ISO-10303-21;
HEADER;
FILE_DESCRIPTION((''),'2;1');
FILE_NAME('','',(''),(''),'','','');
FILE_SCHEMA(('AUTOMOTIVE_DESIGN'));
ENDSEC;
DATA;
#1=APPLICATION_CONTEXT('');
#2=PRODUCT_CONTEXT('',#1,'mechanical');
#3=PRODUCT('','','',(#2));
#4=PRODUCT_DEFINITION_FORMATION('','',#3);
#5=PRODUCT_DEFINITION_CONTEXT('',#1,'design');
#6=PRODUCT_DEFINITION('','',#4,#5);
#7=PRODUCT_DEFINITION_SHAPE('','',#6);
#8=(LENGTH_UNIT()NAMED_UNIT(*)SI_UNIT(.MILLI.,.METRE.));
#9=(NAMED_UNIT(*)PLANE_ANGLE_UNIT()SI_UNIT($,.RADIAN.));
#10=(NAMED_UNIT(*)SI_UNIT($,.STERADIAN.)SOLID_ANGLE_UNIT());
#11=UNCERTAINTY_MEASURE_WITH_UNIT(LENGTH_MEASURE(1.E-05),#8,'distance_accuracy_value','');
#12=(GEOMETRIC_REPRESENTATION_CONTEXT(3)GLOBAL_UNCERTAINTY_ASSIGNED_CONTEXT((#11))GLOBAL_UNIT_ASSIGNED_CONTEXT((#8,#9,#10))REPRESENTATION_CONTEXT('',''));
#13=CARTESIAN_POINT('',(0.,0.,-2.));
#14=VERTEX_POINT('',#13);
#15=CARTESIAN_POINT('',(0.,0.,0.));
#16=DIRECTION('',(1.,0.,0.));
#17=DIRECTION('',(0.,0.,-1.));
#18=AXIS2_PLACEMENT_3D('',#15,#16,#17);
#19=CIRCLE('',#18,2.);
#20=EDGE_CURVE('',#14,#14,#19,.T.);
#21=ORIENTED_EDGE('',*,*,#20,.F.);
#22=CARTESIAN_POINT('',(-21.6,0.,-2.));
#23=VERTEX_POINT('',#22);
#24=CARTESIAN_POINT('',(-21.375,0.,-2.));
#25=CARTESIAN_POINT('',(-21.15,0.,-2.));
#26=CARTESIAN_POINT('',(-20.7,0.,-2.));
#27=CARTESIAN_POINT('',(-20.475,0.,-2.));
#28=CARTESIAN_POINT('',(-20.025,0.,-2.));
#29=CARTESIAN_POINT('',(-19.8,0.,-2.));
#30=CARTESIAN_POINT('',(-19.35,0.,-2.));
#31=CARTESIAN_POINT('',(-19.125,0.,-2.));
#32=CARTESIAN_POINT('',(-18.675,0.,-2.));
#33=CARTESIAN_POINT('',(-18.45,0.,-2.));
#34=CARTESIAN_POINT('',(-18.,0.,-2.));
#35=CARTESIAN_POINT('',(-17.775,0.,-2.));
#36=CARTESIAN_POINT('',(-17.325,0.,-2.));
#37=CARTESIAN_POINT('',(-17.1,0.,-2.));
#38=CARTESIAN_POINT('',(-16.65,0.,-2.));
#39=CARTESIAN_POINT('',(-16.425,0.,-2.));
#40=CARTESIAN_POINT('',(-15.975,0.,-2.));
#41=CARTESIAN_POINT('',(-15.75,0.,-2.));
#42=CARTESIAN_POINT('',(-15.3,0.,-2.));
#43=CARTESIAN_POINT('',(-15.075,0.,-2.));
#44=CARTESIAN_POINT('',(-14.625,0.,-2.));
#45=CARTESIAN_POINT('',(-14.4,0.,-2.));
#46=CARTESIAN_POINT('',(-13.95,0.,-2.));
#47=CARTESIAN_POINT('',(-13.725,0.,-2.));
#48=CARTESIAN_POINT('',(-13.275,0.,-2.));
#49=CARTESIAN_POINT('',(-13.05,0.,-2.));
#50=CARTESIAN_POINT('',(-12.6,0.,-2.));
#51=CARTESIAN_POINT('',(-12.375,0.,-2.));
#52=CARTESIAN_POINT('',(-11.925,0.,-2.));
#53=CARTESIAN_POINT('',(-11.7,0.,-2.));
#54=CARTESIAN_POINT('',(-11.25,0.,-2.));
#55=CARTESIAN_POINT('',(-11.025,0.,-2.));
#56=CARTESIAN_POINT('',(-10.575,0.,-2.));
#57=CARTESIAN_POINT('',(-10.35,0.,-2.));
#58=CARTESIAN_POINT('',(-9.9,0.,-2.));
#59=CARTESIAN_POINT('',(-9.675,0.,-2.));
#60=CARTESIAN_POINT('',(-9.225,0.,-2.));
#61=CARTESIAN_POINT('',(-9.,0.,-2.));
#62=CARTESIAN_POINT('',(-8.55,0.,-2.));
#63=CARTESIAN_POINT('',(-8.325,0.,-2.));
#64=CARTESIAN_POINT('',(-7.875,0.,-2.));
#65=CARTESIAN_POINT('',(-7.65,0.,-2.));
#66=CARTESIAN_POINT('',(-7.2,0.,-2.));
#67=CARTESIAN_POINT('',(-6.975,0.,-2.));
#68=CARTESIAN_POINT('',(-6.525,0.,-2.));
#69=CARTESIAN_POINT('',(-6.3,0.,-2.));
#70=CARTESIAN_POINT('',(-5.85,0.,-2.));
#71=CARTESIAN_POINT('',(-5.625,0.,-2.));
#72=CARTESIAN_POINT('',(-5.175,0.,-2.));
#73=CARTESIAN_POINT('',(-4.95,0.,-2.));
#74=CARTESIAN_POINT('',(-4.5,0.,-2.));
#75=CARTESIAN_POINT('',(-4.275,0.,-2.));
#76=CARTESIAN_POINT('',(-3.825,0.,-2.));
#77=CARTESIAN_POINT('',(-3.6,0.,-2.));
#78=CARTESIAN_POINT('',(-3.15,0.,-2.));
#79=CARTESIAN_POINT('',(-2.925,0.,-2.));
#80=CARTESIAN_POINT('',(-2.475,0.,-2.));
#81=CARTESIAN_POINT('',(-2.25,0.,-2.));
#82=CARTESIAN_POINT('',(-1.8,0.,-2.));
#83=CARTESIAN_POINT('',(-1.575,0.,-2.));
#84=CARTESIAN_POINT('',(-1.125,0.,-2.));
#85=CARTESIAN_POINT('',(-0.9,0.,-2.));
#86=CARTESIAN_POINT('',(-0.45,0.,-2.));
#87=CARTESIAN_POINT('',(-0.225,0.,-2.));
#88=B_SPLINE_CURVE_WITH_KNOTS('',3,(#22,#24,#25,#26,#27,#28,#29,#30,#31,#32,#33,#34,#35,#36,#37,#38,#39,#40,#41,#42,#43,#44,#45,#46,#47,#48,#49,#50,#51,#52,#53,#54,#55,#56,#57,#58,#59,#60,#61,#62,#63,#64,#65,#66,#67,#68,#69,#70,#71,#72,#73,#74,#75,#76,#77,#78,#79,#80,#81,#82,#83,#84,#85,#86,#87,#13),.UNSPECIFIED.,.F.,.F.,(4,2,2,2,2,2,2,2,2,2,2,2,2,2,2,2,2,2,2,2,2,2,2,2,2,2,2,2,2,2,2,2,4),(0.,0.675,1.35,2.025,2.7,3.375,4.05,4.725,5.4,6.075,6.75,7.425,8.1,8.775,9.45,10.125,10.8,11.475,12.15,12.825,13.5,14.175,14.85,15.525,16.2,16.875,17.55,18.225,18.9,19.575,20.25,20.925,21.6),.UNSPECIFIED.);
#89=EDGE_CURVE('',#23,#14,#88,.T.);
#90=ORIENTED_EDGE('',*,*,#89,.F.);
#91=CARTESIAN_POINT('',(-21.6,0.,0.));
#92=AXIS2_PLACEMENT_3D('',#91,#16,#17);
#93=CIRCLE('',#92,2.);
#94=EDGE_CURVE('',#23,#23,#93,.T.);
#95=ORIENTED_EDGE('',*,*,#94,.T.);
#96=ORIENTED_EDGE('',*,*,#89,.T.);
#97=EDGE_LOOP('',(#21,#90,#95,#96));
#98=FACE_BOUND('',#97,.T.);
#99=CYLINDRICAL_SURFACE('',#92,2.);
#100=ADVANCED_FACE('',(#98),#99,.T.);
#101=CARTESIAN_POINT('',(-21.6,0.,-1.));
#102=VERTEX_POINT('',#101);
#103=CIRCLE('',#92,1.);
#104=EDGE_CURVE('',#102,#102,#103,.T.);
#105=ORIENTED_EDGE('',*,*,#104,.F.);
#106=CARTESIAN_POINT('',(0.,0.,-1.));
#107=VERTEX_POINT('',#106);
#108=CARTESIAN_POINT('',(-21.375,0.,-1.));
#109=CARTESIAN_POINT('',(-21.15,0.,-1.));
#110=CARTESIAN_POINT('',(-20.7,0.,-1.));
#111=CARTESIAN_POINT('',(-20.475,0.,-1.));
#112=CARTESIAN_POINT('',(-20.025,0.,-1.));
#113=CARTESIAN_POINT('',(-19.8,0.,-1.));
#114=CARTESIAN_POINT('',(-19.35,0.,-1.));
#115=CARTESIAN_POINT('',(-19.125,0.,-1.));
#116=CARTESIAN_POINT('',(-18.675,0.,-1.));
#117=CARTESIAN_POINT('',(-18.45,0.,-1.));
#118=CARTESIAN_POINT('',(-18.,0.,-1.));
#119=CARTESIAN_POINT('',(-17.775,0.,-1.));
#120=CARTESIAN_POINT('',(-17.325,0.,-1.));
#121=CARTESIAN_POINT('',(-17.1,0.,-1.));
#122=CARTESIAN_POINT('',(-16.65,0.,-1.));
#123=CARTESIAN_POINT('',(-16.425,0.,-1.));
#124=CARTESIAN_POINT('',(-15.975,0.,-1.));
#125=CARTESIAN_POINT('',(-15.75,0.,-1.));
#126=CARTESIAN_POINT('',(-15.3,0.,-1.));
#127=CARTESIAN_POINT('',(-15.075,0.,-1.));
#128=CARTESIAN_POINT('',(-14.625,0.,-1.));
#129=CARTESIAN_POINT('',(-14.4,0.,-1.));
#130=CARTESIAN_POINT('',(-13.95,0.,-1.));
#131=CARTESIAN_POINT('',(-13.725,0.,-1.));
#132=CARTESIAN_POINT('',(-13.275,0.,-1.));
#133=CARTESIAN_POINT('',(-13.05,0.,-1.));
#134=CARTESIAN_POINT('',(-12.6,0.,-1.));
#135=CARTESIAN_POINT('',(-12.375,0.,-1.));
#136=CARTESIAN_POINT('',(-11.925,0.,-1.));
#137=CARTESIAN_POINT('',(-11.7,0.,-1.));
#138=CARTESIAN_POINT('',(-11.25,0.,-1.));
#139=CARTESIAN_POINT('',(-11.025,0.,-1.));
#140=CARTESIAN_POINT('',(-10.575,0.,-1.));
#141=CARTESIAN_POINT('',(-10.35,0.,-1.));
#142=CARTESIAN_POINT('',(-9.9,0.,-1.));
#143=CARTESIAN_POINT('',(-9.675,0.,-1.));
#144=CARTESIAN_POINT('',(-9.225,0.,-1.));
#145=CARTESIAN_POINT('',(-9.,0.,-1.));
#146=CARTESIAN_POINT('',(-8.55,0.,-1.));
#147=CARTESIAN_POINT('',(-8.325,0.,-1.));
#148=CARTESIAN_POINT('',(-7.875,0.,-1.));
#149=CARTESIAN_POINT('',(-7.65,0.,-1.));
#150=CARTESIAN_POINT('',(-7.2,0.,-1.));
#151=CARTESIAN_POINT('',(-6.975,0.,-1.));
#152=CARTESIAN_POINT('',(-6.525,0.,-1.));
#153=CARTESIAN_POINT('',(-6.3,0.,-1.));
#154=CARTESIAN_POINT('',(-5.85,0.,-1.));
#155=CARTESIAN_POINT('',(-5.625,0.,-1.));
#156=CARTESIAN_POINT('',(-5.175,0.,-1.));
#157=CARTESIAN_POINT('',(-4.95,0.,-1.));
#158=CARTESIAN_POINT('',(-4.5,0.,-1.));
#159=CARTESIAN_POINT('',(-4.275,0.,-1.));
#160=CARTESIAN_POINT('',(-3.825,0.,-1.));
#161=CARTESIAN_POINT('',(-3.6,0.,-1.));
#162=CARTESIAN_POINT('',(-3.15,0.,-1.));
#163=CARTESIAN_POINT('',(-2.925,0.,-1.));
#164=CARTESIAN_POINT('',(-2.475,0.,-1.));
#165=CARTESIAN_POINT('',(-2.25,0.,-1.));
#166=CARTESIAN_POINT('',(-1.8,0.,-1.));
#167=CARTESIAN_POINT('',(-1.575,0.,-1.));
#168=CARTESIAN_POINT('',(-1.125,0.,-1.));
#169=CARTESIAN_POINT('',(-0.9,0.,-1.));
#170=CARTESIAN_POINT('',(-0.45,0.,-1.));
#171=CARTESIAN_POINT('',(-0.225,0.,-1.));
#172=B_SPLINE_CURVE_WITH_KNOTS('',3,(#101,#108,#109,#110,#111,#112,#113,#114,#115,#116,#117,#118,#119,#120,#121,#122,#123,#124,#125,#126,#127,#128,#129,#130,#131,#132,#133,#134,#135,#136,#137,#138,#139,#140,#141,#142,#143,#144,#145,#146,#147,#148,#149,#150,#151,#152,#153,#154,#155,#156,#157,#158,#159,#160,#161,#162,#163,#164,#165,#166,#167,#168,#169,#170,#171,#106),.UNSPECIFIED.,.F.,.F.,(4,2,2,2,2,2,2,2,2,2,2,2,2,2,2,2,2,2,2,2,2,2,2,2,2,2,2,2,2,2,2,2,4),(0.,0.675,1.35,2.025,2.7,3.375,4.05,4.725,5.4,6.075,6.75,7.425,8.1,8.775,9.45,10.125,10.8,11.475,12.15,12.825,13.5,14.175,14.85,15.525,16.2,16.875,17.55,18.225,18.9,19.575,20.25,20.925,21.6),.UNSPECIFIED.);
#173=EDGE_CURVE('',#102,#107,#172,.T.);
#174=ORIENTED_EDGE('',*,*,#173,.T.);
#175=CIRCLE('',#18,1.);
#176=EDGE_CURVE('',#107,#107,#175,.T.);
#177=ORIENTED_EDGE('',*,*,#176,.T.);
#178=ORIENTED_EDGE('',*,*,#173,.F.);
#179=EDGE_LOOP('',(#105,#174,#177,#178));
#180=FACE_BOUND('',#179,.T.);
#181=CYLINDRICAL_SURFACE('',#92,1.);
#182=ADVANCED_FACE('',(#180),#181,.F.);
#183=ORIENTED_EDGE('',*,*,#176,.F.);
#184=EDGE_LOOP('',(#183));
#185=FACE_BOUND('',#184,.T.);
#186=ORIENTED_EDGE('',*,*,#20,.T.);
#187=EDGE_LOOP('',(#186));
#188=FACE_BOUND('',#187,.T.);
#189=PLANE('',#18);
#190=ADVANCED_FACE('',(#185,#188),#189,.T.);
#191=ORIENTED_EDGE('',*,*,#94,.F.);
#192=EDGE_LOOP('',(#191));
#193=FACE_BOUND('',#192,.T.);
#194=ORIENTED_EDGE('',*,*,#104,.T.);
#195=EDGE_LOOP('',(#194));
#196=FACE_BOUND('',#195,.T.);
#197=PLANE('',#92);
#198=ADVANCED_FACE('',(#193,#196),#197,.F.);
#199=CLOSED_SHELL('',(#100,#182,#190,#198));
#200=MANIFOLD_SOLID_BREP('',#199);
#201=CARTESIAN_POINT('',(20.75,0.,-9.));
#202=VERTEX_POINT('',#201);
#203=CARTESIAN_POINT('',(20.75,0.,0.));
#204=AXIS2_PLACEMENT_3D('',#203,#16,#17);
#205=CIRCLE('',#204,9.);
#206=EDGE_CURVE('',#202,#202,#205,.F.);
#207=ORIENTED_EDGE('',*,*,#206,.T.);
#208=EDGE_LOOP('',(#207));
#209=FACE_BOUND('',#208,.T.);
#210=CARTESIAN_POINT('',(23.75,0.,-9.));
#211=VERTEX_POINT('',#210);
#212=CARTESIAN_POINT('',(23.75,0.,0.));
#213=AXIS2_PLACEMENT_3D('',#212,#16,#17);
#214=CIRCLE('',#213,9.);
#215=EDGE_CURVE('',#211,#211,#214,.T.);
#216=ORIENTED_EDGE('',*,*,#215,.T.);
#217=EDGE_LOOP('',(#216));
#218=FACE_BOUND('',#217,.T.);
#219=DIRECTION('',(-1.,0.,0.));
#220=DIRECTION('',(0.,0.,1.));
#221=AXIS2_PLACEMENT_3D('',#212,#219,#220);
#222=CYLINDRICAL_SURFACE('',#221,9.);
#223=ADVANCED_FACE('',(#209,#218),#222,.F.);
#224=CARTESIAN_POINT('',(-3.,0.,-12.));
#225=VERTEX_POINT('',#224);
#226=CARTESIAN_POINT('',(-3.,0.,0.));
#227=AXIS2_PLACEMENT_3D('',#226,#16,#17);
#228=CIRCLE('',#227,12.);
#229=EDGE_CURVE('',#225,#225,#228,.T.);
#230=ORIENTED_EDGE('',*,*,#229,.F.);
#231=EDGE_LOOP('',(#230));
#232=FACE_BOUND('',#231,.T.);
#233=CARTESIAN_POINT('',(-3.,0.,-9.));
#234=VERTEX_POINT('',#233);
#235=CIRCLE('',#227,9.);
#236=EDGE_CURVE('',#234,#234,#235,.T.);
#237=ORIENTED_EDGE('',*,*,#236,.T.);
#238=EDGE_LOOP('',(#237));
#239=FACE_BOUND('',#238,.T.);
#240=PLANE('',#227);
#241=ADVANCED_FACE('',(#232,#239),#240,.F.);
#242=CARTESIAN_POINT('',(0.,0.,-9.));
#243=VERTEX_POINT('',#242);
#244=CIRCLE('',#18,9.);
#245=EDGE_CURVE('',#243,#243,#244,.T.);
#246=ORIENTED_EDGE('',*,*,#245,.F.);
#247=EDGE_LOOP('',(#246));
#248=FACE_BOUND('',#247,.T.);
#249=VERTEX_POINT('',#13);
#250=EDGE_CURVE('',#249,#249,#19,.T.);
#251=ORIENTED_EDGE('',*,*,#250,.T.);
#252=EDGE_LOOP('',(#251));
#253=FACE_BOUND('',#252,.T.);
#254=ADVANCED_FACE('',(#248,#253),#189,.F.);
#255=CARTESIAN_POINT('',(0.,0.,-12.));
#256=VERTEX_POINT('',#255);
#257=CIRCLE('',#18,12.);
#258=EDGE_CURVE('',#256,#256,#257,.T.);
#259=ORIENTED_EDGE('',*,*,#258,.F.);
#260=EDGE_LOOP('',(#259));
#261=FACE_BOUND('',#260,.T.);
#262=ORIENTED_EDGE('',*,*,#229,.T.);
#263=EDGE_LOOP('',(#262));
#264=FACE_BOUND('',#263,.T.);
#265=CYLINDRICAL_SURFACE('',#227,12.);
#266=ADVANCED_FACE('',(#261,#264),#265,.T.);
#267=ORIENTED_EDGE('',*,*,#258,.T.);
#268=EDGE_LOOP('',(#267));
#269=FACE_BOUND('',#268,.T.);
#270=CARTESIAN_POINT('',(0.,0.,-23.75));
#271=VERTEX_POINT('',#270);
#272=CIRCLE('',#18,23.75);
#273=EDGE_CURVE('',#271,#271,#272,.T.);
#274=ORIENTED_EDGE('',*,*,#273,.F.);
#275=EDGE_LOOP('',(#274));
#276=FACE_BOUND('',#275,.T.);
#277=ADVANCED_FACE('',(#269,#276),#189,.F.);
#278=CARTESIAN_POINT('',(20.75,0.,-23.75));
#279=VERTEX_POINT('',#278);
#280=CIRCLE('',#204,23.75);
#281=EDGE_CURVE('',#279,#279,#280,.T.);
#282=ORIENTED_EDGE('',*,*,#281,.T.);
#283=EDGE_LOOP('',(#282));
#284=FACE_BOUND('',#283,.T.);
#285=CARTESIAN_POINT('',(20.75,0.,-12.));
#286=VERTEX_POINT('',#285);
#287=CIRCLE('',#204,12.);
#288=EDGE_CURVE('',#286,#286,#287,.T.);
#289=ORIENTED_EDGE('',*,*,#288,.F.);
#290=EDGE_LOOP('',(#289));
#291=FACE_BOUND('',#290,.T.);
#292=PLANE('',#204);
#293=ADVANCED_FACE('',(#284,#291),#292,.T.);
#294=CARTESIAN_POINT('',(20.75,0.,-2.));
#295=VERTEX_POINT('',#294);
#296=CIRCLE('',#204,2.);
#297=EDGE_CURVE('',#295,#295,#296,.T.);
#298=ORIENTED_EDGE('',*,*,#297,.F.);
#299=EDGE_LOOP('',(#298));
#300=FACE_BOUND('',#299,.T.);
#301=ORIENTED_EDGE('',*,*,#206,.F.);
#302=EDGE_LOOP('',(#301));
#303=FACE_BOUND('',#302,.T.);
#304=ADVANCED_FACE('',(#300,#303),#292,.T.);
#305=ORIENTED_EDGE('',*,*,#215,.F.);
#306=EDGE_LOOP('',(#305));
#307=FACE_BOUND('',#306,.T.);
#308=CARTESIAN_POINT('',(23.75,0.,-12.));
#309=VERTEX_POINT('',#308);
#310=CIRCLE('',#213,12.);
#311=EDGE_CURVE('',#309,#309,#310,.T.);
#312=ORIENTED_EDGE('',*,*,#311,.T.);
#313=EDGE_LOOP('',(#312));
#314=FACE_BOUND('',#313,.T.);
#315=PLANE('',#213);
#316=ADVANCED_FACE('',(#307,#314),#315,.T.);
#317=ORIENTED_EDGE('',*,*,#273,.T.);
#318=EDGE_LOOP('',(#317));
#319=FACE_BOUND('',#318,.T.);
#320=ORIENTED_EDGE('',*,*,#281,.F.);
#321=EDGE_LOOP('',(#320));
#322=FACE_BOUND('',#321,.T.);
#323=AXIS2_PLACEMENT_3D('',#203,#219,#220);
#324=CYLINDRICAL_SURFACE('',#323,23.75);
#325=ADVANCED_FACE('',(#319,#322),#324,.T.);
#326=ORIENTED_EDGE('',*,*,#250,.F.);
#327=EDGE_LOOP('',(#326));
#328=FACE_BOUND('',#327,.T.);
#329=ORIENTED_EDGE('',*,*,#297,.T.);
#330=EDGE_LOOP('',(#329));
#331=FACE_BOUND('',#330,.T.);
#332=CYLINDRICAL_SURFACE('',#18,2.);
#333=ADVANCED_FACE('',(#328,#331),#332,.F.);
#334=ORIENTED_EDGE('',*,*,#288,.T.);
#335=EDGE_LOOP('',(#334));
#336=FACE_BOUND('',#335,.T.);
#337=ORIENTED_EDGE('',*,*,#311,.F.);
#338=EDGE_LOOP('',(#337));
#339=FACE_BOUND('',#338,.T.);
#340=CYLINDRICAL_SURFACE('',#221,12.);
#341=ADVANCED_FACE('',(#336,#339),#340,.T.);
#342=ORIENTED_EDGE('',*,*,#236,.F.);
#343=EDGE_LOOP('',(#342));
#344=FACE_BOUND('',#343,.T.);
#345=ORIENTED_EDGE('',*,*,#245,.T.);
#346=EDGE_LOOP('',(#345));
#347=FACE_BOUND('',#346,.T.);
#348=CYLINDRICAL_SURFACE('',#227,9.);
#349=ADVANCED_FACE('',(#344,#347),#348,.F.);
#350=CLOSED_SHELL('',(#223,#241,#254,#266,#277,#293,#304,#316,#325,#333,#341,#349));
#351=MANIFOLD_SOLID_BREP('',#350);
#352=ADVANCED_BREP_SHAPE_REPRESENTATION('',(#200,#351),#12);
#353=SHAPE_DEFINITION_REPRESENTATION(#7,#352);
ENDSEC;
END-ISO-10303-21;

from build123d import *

# Parameters (mm, degrees)
SKETCH1_R           = 23.75
SKETCH1_R_2         = 3
BOSS_EXTRUDE1_DEPTH = 20.75
BOSS_EXTRUDE2_START = -20.75
SKETCH4_R           = 3
SKETCH4_R_2         = 2
BOSS_EXTRUDE2_DEPTH = 20.75
SKETCH5_R           = 12
SKETCH5_R_2         = 9
BOSS_EXTRUDE3_DEPTH = 3
BOSS_EXTRUDE4_START = -3
SKETCH6_R           = 12
SKETCH6_R_2         = 9
BOSS_EXTRUDE4_DEPTH = 3
SKETCH7_R           = 2
SKETCH7_R_2         = 1
BOSS_EXTRUDE6_DEPTH = 21.6


with BuildPart() as part:
    # Sketch1 → Boss-Extrude1 (new body)
    with BuildSketch(Plane(origin=(0, 0, 0), x_dir=(0, 0, -1), z_dir=(1, 0, 0))):
        Circle(SKETCH1_R)
        Circle(SKETCH1_R_2, mode=Mode.SUBTRACT)
    extrude(amount=BOSS_EXTRUDE1_DEPTH)

    # Sketch4 → Boss-Extrude2 (add)
    with BuildSketch(Plane(origin=(20.75, 0, 0), x_dir=(0, 0, -1), z_dir=(1, 0, 0)).offset(BOSS_EXTRUDE2_START)):
        Circle(SKETCH4_R)
        Circle(SKETCH4_R_2, mode=Mode.SUBTRACT)
    extrude(amount=BOSS_EXTRUDE2_DEPTH)

    # Sketch5 → Boss-Extrude3 (add)
    with BuildSketch(Plane(origin=(20.75, 0, 0), x_dir=(0, 0, -1), z_dir=(1, 0, 0))):
        Circle(SKETCH5_R)
        Circle(SKETCH5_R_2, mode=Mode.SUBTRACT)
    extrude(amount=BOSS_EXTRUDE3_DEPTH)

    # Sketch6 → Boss-Extrude4 (add)
    with BuildSketch(Plane(origin=(0, 0, 0), x_dir=(0, 0, -1), z_dir=(1, 0, 0)).offset(BOSS_EXTRUDE4_START)):
        Circle(SKETCH6_R)
        Circle(SKETCH6_R_2, mode=Mode.SUBTRACT)
    extrude(amount=BOSS_EXTRUDE4_DEPTH)


with BuildPart() as body_2:
    # Sketch7 → Boss-Extrude6 (new body)
    with BuildSketch(Plane(origin=(0, 0, 0), x_dir=(0, 0, -1), z_dir=(1, 0, 0))):
        Circle(SKETCH7_R)
        Circle(SKETCH7_R_2, mode=Mode.SUBTRACT)
    extrude(amount=-BOSS_EXTRUDE6_DEPTH)


solid = Compound([part.part, body_2.part])
